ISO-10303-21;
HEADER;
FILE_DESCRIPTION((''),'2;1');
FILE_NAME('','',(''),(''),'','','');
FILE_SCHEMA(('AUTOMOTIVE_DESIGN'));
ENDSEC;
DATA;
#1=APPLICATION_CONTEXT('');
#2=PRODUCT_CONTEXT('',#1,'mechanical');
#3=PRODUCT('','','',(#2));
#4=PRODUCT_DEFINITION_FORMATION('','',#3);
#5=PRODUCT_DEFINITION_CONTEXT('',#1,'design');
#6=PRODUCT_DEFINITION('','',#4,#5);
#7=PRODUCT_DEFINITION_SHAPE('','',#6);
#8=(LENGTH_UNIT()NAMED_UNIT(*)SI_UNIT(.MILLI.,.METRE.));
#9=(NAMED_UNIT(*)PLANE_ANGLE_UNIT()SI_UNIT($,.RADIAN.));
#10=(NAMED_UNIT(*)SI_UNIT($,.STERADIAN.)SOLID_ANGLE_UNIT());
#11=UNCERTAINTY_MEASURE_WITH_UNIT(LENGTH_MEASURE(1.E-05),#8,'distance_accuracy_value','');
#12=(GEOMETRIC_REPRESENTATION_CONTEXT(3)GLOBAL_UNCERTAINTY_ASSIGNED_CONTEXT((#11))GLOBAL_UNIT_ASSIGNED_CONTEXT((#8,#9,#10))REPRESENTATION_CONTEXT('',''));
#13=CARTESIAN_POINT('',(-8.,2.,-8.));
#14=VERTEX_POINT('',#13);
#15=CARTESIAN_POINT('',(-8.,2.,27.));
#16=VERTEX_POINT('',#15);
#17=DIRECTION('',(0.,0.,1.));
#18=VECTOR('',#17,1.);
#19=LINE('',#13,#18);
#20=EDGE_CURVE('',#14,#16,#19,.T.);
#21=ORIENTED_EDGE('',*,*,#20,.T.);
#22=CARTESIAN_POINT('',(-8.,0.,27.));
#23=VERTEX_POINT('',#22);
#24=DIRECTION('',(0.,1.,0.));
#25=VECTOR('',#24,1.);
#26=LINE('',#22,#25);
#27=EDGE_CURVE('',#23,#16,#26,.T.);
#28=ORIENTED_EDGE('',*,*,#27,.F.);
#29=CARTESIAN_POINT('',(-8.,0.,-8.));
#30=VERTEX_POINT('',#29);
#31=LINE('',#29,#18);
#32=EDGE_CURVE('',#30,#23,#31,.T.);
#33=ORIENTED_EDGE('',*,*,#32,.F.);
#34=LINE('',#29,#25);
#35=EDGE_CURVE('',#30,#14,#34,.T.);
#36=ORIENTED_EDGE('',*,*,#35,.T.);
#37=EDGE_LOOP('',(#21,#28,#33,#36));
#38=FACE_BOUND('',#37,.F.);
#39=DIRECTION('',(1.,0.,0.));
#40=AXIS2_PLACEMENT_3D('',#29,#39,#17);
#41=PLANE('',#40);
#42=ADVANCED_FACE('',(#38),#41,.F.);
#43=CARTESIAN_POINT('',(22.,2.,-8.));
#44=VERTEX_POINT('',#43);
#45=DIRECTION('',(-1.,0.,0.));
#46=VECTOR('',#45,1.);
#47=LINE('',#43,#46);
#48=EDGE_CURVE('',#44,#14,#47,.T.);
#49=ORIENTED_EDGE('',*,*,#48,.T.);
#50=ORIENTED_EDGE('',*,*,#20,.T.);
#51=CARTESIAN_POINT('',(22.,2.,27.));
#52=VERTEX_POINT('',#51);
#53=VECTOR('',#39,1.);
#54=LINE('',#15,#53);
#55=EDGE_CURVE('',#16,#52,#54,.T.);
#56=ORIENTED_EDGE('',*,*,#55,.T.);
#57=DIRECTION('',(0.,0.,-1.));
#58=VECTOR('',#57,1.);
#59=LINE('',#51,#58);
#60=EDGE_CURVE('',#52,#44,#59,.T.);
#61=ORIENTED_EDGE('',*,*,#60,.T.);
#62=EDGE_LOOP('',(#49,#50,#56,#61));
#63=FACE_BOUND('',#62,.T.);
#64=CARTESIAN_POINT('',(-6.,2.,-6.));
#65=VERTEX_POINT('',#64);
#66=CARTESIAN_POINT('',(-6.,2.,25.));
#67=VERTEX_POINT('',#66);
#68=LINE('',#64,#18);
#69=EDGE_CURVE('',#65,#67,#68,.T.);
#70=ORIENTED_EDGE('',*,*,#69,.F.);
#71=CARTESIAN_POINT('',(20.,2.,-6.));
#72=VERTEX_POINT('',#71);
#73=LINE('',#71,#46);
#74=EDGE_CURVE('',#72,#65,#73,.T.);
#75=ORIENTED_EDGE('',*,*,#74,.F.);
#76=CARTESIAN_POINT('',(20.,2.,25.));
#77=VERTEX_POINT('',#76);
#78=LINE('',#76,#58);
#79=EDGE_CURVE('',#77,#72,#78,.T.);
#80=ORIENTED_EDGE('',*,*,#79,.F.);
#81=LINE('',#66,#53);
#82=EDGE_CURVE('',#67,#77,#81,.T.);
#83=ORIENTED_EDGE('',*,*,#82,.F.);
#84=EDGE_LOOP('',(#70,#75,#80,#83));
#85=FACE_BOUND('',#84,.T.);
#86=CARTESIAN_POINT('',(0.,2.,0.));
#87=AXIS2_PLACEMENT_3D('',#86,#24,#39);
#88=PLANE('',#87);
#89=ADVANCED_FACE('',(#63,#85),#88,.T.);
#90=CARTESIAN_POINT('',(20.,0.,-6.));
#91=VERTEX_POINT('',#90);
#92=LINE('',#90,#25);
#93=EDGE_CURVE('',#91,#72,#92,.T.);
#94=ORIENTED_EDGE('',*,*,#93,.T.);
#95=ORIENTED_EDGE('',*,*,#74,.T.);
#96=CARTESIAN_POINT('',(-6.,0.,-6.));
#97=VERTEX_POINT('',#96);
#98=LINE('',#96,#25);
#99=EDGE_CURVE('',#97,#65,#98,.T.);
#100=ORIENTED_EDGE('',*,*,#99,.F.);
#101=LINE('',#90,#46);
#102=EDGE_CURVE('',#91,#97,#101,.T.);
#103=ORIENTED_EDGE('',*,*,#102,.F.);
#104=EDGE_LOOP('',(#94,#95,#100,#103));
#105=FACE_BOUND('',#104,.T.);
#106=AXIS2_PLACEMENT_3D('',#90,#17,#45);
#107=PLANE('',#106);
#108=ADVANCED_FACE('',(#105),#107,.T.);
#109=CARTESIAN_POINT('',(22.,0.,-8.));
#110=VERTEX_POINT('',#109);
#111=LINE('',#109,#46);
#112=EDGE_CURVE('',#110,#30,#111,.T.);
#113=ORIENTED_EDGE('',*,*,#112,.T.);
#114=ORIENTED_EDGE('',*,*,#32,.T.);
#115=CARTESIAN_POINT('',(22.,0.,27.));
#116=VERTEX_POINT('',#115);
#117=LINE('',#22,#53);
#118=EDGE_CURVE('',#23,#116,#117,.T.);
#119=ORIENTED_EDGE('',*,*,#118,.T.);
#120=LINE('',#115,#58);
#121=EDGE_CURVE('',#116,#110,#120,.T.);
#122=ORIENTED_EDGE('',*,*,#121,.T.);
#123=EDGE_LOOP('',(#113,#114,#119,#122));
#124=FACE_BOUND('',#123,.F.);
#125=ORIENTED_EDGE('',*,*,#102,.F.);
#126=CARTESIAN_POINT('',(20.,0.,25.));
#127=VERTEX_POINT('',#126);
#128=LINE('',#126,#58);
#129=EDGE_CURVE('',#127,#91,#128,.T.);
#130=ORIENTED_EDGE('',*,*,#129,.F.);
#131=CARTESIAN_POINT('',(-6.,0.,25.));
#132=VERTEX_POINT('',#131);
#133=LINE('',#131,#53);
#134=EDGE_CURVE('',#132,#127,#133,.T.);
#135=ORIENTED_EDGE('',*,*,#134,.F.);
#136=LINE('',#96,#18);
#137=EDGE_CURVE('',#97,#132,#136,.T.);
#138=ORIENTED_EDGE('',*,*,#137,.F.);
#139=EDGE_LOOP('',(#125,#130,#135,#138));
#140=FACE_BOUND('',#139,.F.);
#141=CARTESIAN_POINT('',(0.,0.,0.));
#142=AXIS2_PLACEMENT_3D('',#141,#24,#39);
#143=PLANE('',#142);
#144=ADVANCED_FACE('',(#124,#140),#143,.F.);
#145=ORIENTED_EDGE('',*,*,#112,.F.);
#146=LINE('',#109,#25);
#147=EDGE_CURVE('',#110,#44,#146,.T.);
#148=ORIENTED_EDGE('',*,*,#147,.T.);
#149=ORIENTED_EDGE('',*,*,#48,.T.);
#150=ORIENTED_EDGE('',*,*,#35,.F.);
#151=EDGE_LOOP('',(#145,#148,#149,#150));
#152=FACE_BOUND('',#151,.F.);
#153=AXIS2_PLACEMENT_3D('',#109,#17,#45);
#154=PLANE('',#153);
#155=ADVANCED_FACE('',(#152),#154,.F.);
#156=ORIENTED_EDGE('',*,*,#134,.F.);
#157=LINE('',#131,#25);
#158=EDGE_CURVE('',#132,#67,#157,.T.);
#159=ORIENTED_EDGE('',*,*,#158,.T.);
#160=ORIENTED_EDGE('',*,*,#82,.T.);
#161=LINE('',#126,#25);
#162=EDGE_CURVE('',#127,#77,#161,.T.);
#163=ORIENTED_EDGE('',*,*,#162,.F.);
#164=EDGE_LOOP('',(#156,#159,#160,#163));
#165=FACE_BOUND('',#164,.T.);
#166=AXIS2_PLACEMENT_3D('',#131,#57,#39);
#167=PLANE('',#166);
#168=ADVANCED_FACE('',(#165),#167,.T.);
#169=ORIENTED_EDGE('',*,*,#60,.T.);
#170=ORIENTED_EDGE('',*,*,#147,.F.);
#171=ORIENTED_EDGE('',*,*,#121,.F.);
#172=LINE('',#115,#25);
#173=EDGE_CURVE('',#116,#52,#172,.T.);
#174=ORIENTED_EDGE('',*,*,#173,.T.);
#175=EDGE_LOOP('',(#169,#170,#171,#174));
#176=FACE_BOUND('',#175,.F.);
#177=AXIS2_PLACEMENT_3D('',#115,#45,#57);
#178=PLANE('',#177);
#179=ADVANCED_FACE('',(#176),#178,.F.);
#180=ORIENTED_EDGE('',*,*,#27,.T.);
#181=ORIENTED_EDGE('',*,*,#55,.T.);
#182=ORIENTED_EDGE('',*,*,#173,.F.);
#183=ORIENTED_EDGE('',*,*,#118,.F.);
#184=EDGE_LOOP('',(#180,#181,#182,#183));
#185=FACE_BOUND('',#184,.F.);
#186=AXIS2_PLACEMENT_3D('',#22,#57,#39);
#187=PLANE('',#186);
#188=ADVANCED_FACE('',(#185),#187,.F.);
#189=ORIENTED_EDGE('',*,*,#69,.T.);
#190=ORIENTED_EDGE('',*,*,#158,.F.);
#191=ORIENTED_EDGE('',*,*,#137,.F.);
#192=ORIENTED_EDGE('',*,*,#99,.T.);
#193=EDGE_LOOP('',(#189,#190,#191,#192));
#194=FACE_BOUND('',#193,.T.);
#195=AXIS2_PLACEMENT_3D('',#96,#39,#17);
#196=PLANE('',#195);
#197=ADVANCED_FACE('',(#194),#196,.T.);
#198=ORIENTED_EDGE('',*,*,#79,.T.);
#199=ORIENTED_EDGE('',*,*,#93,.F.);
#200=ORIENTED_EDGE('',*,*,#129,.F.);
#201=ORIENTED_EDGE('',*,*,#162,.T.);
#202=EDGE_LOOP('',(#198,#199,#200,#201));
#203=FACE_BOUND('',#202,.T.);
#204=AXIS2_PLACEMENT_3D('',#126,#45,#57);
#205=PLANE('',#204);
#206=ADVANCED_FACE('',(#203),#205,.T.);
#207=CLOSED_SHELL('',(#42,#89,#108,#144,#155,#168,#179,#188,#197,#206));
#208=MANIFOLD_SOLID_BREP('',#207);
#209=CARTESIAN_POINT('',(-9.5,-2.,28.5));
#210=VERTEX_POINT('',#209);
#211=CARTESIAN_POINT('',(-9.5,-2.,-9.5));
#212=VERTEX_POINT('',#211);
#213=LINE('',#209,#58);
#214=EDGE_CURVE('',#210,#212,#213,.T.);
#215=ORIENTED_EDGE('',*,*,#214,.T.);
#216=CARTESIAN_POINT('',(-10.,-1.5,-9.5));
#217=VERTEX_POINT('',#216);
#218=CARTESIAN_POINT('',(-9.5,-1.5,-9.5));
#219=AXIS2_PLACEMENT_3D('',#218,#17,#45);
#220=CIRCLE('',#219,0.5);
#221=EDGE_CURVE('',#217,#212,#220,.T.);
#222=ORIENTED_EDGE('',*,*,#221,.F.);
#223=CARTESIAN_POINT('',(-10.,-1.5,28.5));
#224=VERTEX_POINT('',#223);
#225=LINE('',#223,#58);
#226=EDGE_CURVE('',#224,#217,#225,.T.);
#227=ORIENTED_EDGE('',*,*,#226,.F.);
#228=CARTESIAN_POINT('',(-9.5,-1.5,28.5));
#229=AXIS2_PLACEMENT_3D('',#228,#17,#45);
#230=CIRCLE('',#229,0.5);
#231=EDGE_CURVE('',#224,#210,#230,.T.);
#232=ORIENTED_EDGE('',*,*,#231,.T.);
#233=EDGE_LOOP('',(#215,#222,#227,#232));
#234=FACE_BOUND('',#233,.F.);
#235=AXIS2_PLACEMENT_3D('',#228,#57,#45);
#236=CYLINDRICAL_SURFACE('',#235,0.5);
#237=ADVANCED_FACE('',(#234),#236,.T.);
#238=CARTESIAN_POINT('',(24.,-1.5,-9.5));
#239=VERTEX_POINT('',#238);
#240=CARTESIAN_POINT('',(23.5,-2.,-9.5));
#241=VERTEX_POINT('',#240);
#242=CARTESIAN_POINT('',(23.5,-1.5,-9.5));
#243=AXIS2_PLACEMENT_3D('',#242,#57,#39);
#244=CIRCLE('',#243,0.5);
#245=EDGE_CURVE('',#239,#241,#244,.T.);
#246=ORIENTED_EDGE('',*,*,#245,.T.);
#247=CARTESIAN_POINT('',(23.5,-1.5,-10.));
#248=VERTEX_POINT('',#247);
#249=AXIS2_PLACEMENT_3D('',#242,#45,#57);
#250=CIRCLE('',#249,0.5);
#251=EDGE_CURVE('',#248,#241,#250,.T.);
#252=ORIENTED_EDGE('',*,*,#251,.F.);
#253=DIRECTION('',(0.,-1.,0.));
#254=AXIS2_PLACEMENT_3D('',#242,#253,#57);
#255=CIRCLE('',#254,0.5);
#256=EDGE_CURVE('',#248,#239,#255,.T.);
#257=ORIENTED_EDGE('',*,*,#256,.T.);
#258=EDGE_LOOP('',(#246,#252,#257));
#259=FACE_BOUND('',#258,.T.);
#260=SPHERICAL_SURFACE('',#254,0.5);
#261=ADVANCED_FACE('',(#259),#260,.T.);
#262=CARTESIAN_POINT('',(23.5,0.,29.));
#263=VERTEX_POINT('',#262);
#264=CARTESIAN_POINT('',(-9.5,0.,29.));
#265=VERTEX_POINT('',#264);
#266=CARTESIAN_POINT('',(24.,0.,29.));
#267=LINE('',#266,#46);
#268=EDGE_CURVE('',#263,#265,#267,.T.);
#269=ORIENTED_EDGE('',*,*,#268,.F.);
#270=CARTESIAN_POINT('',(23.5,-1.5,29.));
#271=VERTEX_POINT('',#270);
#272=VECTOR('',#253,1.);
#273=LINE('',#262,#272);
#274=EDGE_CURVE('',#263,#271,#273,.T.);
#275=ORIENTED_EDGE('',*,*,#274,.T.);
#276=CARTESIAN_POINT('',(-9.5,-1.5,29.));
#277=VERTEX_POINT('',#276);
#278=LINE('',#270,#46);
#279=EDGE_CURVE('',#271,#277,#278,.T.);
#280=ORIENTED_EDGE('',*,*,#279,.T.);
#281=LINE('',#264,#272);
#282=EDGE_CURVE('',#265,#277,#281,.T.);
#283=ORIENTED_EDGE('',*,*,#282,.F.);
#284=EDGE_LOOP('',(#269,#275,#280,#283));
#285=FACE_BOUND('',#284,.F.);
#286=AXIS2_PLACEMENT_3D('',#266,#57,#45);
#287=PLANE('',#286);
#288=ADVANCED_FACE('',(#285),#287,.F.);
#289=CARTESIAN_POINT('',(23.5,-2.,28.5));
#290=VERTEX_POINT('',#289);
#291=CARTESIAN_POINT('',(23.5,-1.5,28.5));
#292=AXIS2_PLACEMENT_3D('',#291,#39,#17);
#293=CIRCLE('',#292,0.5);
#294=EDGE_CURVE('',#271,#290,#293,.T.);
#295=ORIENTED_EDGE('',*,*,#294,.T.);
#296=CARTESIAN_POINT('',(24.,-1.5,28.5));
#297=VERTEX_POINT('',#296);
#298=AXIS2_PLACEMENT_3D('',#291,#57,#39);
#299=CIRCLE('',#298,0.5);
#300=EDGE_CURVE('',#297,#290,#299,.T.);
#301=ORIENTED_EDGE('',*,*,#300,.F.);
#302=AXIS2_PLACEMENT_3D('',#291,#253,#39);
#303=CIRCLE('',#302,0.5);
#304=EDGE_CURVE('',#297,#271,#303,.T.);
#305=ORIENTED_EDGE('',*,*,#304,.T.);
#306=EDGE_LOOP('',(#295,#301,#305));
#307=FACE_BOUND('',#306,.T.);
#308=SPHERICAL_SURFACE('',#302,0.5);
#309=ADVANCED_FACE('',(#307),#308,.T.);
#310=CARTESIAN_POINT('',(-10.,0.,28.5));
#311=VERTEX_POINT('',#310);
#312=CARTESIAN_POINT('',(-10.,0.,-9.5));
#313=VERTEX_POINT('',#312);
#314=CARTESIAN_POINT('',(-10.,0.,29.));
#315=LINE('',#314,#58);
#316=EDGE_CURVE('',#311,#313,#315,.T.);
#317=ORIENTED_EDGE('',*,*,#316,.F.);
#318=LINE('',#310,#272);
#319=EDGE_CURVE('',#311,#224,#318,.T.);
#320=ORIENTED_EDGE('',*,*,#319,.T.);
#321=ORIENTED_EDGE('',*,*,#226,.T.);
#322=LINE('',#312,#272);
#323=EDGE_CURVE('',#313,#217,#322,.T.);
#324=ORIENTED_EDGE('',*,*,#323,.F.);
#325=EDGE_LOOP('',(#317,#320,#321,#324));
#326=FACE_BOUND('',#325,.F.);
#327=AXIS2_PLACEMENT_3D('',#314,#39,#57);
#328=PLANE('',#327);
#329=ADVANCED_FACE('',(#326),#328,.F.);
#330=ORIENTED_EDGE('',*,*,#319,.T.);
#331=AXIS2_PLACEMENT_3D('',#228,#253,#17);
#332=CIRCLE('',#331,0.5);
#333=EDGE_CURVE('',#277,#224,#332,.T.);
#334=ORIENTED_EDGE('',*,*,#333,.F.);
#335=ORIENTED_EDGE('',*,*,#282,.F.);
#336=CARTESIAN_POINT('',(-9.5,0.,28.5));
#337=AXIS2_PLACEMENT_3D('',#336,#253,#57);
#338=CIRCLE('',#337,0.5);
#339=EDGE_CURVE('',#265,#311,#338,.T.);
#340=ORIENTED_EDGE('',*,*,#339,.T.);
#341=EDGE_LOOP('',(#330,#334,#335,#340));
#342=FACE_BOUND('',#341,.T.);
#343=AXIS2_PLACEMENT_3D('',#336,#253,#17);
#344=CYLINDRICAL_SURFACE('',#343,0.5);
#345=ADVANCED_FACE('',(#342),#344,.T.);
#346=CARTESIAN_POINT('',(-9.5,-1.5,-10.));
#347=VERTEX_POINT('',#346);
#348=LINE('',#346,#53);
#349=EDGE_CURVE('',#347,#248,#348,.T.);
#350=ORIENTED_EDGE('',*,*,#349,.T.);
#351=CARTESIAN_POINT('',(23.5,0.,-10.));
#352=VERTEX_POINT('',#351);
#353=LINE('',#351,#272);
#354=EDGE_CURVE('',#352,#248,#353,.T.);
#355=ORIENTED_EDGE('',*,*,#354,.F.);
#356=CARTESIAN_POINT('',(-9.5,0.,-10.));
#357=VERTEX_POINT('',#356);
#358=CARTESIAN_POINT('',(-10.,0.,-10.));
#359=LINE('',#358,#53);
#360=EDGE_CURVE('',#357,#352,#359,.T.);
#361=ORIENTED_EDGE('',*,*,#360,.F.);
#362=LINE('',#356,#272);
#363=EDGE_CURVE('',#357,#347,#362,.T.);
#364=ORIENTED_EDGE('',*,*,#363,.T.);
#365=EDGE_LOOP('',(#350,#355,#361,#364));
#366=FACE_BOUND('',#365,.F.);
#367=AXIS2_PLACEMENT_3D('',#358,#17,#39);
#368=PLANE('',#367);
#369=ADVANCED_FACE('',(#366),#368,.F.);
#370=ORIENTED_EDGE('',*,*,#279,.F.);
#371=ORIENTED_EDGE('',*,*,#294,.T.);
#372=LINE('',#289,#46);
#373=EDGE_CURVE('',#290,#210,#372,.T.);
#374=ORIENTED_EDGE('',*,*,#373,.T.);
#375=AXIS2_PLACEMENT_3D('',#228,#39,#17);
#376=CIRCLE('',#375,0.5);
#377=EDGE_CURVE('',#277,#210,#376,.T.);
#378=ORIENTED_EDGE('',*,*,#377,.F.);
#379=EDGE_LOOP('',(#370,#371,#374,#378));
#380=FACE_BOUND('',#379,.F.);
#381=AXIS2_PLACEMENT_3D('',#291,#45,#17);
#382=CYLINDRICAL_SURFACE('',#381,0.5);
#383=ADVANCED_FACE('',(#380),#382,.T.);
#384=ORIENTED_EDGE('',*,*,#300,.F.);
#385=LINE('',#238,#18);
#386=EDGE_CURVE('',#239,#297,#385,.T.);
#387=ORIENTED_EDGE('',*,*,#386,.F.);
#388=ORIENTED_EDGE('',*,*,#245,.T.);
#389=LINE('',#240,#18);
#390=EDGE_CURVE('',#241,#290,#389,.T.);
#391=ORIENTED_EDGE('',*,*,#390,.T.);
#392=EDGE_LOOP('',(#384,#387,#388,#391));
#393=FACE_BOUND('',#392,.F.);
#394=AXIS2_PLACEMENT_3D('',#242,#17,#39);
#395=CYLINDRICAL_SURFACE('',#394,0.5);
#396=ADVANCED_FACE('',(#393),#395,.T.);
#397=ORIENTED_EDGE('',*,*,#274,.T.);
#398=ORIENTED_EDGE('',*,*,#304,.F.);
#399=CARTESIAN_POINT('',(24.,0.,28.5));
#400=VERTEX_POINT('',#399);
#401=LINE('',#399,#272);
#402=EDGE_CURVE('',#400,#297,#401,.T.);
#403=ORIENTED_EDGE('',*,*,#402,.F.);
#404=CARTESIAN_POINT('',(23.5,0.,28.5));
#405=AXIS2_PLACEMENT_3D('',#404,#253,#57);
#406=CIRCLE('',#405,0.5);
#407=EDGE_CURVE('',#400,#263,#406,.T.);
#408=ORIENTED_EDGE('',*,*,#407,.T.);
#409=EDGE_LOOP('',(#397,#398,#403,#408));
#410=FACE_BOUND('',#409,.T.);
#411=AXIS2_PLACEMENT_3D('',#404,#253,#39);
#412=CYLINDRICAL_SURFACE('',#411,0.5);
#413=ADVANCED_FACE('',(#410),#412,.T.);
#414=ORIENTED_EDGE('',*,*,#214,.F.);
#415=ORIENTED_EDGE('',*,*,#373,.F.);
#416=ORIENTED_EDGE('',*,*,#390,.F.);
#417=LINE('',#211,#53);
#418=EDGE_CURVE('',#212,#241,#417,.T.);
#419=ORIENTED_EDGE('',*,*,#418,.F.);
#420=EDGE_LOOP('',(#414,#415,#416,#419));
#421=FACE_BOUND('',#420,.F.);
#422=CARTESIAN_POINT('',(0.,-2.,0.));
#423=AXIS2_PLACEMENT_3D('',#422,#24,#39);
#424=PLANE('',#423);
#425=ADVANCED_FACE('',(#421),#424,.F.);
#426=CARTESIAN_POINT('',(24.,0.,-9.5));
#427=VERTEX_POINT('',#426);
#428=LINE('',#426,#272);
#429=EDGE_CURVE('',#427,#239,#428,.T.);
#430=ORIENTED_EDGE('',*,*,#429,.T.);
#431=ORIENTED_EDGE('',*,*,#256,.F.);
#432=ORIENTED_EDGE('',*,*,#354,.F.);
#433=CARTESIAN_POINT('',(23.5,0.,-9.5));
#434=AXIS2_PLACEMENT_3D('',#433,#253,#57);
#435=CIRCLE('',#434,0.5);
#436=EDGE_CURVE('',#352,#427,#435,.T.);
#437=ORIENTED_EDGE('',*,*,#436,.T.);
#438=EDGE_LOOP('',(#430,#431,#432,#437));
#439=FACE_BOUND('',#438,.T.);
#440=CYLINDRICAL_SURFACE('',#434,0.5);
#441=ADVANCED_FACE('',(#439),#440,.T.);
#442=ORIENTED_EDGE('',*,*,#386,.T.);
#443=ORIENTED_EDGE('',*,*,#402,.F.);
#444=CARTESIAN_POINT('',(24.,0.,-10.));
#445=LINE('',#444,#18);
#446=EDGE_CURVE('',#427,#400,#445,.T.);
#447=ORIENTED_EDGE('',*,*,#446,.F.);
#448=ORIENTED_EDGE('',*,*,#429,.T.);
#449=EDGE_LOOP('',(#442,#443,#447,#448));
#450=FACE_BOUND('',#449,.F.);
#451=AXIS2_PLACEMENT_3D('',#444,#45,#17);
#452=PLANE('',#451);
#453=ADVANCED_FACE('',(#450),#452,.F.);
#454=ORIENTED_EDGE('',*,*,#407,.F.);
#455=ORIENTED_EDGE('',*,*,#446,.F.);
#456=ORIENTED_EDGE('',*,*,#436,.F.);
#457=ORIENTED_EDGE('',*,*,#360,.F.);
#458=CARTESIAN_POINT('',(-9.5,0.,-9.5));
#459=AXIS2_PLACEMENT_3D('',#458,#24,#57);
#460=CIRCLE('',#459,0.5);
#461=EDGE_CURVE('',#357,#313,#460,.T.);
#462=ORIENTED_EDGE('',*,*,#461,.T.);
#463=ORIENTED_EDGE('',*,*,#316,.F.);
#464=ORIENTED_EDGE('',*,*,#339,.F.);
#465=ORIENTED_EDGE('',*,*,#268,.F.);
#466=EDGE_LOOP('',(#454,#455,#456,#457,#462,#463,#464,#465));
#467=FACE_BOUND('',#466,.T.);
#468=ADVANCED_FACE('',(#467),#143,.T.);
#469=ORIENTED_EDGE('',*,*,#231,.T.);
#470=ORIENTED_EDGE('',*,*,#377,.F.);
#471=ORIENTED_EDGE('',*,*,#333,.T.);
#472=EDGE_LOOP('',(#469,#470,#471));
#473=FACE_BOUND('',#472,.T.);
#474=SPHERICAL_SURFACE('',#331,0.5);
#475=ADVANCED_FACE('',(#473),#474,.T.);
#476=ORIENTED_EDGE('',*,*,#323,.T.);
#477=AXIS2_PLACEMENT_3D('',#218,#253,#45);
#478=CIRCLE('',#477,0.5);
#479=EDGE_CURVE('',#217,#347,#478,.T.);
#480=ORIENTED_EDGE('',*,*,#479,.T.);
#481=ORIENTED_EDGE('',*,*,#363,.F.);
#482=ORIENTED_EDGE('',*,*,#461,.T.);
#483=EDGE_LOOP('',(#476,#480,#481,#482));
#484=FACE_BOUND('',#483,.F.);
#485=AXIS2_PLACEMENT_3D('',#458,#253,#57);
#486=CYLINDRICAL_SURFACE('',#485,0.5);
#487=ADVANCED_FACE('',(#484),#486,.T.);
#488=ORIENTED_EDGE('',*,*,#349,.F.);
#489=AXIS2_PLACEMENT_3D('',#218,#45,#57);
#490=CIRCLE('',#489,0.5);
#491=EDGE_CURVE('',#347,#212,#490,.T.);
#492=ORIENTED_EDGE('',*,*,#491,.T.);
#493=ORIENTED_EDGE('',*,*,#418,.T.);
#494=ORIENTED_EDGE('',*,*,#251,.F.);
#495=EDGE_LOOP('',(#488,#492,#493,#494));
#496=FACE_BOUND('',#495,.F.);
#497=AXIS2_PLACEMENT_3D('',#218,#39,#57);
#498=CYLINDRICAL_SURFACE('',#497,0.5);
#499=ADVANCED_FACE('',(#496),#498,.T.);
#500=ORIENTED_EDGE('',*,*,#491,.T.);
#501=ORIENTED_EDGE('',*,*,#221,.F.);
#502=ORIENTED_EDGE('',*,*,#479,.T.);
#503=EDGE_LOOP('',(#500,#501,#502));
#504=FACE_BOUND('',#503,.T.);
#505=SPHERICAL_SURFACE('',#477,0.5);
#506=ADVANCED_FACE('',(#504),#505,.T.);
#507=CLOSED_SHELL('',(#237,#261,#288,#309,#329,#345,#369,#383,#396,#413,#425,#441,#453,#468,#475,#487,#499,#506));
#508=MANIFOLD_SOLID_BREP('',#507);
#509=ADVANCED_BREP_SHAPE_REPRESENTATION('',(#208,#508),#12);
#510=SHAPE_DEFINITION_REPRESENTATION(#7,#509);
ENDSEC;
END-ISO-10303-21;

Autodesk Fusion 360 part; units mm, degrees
sketch "Esquisse1" plane through (0, 0, 0) normal (0, 1, 0) x (1, 0, 0)
  line L0 (-10, 10) -> (24, 10)
  line L1 (24, 10) -> (24, -29)
  line L2 (24, -29) -> (-10, -29)
  line L3 (-10, -29) -> (-10, 10)
  line L4 (-8, -27) -> (22, -27)
  line L5 (22, -27) -> (22, 8)
  line L6 (22, 8) -> (-8, 8)
  line L7 (-8, 8) -> (-8, -27)
  line L8 (-6, -25) -> (20, -25)
  line L9 (20, -25) -> (20, 6)
  line L10 (20, 6) -> (-6, 6)
  line L11 (-6, 6) -> (-6, -25)
extrude "Extrusion1" add sketch "Esquisse1" against normal blind 2 contours L0 L1 L2 L3 | L4 L5 L6 L7 | L8 L9 L10 L11 makes body 1
extrude "Extrusion2" add sketch "Esquisse1" along normal blind 2 separate body contours L4 L5 L6 L7 makes body 2
fillet "Congé1" radius 0.5 1 edges at (-10, -1, -10) on bodies 1
fillet "Congé2" radius 0.5 1 edges at (24, -1, -10) on bodies 1
fillet "Congé3" radius 0.5 1 edges at (24, -1, 29) on bodies 1
fillet "Congé4" radius 0.5 1 edges at (-10, -1, 29) on bodies 1
fillet "Congé5" radius 0.5 8 edges at (-9.8536, -2, 28.8536) (-10, -2, 9.5) (-9.8536, -2, -9.8536) (7, -2, -10) (23.8536, -2, -9.8536) (24, -2, 9.5) (23.8536, -2, 28.8536) (7, -2, 29) on bodies 1
